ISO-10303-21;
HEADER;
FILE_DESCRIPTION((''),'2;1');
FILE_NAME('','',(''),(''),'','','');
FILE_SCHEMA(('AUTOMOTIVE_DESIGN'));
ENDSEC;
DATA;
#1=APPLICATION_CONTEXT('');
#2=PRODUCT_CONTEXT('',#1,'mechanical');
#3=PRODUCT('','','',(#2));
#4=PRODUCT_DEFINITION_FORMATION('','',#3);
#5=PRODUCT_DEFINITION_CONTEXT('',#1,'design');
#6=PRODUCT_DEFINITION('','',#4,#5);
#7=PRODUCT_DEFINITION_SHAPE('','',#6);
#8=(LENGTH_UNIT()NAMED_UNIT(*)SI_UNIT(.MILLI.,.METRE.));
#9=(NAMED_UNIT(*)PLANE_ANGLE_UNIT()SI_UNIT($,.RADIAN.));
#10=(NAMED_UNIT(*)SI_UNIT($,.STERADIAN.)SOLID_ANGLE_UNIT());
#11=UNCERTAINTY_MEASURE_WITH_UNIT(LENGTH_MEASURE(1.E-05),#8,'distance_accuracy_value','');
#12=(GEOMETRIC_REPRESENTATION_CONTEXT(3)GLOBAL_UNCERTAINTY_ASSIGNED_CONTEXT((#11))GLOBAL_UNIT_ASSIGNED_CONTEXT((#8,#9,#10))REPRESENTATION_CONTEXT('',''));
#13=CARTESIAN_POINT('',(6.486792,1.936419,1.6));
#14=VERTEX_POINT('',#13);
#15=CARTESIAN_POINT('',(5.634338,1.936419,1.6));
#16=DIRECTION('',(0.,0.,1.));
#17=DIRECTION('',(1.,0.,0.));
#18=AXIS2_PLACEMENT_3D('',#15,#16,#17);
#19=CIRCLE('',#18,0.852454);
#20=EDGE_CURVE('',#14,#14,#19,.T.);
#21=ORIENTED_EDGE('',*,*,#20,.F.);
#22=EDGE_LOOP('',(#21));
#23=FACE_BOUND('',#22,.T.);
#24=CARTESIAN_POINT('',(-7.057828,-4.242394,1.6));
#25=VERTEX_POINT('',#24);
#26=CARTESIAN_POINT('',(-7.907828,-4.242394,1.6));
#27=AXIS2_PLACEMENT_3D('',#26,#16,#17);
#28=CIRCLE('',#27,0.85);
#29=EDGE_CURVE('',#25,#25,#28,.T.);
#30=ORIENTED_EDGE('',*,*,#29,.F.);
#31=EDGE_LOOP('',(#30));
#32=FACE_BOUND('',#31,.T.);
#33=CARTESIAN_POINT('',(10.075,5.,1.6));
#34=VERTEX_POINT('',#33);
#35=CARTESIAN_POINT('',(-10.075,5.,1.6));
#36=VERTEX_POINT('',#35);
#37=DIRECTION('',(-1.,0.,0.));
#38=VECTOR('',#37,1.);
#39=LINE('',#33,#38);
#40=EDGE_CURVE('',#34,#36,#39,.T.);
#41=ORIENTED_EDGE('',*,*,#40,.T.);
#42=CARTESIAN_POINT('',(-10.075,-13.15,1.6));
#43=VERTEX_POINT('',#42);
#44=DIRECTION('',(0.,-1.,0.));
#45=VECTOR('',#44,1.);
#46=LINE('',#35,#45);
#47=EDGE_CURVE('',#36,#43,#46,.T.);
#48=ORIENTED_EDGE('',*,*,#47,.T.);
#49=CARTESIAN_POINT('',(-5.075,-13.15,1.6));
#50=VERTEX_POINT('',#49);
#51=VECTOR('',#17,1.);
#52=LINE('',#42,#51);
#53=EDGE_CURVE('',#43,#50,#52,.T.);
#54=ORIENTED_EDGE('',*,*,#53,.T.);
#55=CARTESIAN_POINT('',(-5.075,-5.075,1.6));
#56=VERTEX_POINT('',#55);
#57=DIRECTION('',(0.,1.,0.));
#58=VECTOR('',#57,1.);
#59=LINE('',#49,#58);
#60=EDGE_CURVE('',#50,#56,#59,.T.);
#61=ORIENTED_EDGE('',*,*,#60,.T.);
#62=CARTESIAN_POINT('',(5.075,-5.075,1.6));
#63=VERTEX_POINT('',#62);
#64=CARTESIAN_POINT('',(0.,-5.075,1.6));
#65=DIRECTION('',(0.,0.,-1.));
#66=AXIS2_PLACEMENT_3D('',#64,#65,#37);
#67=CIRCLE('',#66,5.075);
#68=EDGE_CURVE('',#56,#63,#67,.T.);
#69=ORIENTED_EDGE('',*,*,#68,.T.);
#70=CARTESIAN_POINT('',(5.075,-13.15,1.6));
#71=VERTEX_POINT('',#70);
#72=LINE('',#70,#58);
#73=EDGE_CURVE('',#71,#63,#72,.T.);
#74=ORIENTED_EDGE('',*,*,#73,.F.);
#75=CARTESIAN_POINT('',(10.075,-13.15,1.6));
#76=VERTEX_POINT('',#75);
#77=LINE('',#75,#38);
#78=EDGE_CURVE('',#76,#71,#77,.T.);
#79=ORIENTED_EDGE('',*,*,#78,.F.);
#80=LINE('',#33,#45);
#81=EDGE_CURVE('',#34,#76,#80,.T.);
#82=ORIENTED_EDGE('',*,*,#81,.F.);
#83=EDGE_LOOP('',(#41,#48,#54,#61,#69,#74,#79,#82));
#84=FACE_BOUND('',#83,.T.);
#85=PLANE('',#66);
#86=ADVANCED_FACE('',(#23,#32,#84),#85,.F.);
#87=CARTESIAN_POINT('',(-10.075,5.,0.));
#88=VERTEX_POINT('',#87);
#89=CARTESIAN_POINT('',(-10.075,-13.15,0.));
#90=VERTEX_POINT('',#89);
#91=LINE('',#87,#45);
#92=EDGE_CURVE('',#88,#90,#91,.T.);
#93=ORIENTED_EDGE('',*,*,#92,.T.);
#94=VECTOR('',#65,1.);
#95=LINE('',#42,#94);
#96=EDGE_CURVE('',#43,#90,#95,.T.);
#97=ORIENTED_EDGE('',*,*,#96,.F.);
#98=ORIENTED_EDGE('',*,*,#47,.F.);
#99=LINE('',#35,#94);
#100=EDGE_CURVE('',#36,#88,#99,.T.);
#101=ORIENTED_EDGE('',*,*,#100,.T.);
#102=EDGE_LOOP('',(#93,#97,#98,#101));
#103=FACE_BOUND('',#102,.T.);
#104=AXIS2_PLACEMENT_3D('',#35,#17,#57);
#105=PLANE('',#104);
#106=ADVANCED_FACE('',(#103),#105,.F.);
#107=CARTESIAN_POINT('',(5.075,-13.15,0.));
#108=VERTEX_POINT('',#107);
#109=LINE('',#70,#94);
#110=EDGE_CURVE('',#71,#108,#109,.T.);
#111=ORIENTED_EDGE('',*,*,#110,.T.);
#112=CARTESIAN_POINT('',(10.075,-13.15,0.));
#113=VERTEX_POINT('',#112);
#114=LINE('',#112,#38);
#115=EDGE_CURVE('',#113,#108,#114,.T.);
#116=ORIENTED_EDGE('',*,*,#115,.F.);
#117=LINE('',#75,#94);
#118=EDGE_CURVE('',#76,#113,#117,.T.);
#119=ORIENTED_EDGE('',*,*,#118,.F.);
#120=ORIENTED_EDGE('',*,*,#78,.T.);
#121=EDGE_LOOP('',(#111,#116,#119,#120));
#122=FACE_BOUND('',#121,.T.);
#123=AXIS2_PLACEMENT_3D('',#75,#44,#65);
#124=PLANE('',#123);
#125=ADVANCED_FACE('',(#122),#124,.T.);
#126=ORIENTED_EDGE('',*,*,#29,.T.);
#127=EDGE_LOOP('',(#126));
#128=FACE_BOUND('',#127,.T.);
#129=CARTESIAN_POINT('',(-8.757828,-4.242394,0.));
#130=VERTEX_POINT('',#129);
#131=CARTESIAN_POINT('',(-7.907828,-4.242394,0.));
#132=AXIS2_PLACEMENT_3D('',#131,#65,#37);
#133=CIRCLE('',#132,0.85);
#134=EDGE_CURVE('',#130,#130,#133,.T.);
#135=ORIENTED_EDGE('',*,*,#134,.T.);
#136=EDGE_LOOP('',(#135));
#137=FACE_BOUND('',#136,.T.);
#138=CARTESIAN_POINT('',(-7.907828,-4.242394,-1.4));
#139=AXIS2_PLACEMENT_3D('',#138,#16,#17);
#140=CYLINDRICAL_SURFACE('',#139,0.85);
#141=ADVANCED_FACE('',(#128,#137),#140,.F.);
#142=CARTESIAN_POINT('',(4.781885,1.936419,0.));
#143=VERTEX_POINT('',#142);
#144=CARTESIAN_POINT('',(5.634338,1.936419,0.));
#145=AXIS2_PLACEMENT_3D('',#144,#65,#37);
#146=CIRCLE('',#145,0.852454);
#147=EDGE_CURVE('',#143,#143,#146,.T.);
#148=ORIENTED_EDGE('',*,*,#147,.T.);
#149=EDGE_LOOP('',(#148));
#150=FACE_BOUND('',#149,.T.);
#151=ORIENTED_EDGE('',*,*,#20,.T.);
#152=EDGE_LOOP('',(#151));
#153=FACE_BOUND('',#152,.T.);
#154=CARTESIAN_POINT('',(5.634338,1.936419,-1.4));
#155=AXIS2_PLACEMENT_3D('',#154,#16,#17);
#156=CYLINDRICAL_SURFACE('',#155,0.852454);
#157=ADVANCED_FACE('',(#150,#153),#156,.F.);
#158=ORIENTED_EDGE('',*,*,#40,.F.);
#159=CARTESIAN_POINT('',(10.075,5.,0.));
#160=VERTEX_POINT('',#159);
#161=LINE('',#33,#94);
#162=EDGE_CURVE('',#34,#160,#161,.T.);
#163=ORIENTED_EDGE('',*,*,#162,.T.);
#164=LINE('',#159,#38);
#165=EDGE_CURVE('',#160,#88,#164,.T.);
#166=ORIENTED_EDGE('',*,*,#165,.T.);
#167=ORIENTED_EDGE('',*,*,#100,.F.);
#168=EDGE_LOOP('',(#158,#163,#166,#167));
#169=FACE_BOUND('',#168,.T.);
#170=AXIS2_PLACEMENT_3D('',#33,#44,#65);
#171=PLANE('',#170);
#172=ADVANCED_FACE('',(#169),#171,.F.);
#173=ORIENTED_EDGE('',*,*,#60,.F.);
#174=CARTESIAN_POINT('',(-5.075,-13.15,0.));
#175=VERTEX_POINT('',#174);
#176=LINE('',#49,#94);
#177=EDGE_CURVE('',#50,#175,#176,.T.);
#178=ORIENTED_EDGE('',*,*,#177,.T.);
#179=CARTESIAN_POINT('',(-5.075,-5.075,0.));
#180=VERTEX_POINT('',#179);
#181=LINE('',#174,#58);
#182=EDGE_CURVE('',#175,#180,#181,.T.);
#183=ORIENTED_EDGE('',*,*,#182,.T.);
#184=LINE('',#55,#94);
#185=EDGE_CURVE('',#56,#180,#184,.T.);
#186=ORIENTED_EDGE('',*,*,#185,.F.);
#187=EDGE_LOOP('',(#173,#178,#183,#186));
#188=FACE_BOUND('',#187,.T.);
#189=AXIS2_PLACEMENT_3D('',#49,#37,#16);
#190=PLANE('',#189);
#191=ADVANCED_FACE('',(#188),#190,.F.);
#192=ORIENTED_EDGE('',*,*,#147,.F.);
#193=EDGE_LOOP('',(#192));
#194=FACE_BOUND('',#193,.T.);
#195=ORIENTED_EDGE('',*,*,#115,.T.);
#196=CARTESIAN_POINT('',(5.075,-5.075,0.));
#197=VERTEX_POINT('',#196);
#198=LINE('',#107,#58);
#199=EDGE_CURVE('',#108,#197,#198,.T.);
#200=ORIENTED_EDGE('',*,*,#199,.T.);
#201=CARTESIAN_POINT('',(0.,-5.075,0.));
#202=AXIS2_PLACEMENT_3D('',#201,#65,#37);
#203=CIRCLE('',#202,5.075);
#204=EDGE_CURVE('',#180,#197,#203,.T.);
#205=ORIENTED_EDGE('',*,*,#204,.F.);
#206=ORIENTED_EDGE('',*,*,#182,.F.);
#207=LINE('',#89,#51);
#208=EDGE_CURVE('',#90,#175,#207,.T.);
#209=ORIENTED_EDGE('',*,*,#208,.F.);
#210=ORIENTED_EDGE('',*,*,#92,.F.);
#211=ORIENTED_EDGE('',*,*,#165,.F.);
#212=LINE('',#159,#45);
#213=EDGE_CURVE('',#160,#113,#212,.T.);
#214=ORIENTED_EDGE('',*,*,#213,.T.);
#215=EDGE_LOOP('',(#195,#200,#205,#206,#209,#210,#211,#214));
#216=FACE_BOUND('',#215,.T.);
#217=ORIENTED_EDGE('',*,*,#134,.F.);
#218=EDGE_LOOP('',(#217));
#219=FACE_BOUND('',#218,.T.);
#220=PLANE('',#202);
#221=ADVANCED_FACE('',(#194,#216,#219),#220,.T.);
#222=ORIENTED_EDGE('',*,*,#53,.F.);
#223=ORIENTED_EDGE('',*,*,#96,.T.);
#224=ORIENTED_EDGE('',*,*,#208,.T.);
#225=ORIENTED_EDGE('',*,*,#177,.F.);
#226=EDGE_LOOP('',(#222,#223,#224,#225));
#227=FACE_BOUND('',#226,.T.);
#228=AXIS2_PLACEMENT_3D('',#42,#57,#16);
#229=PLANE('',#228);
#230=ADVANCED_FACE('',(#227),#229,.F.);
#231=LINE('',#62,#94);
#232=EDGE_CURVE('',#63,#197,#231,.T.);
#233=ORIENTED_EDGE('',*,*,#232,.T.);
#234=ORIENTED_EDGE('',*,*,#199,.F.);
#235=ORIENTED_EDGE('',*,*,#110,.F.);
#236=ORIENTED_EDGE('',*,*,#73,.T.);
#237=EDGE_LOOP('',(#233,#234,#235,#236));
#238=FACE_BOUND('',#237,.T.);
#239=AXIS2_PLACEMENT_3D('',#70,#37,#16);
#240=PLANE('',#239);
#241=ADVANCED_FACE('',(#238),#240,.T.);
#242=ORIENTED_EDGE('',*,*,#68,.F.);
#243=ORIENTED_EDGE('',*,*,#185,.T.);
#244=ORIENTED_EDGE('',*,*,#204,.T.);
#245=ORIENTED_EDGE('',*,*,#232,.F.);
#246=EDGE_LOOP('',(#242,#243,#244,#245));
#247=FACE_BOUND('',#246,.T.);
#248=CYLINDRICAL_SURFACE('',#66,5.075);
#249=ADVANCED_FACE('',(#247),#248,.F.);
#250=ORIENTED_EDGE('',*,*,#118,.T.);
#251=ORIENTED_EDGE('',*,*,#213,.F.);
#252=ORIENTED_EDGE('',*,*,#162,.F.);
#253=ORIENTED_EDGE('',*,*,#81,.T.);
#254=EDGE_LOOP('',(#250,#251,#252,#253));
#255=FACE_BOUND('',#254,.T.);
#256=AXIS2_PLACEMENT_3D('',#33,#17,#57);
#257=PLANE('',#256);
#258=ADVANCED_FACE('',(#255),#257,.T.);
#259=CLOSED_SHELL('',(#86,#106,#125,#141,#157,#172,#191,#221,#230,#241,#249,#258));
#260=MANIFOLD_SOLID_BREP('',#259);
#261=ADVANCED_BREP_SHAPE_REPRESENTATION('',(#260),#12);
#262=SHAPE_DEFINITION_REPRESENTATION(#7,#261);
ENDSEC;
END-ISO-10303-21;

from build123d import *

# Parameters (mm, degrees)
BOSS_EXTRUDE1_DEPTH = 1.6
SKETCH2_R           = 0.852453889
SKETCH2_R_2         = 0.85
CUT_EXTRUDE1_DEPTH  = 3


with BuildPart() as part:
    # Sketch1 → Boss-Extrude1 (new body)
    with BuildSketch(Plane.XY):
        with BuildLine():
            Line((10.075, 5), (-10.075, 5))
            Line((-10.075, 5), (-10.075, -13.15))
            Line((-10.075, -13.15), (-5.075, -13.15))
            Line((-5.075, -13.15), (-5.075, -5.075))
            ThreePointArc((-5.075, -5.075), (0, 0), (5.075, -5.075))
            Line((5.075, -5.075), (5.075, -13.15))
            Line((5.075, -13.15), (10.075, -13.15))
            Line((10.075, -13.15), (10.075, 5))
        make_face()
    extrude(amount=BOSS_EXTRUDE1_DEPTH)

    # Sketch2 → Cut-Extrude1 (cut)
    with BuildSketch(Plane.XY.offset(1.6)):
        with Locations((5.634338394, 1.936419455)):
            Circle(SKETCH2_R)
        with Locations((-7.907828008, -4.242394056)):
            Circle(SKETCH2_R_2)
    extrude(amount=-CUT_EXTRUDE1_DEPTH, mode=Mode.SUBTRACT)


solid = part.part
